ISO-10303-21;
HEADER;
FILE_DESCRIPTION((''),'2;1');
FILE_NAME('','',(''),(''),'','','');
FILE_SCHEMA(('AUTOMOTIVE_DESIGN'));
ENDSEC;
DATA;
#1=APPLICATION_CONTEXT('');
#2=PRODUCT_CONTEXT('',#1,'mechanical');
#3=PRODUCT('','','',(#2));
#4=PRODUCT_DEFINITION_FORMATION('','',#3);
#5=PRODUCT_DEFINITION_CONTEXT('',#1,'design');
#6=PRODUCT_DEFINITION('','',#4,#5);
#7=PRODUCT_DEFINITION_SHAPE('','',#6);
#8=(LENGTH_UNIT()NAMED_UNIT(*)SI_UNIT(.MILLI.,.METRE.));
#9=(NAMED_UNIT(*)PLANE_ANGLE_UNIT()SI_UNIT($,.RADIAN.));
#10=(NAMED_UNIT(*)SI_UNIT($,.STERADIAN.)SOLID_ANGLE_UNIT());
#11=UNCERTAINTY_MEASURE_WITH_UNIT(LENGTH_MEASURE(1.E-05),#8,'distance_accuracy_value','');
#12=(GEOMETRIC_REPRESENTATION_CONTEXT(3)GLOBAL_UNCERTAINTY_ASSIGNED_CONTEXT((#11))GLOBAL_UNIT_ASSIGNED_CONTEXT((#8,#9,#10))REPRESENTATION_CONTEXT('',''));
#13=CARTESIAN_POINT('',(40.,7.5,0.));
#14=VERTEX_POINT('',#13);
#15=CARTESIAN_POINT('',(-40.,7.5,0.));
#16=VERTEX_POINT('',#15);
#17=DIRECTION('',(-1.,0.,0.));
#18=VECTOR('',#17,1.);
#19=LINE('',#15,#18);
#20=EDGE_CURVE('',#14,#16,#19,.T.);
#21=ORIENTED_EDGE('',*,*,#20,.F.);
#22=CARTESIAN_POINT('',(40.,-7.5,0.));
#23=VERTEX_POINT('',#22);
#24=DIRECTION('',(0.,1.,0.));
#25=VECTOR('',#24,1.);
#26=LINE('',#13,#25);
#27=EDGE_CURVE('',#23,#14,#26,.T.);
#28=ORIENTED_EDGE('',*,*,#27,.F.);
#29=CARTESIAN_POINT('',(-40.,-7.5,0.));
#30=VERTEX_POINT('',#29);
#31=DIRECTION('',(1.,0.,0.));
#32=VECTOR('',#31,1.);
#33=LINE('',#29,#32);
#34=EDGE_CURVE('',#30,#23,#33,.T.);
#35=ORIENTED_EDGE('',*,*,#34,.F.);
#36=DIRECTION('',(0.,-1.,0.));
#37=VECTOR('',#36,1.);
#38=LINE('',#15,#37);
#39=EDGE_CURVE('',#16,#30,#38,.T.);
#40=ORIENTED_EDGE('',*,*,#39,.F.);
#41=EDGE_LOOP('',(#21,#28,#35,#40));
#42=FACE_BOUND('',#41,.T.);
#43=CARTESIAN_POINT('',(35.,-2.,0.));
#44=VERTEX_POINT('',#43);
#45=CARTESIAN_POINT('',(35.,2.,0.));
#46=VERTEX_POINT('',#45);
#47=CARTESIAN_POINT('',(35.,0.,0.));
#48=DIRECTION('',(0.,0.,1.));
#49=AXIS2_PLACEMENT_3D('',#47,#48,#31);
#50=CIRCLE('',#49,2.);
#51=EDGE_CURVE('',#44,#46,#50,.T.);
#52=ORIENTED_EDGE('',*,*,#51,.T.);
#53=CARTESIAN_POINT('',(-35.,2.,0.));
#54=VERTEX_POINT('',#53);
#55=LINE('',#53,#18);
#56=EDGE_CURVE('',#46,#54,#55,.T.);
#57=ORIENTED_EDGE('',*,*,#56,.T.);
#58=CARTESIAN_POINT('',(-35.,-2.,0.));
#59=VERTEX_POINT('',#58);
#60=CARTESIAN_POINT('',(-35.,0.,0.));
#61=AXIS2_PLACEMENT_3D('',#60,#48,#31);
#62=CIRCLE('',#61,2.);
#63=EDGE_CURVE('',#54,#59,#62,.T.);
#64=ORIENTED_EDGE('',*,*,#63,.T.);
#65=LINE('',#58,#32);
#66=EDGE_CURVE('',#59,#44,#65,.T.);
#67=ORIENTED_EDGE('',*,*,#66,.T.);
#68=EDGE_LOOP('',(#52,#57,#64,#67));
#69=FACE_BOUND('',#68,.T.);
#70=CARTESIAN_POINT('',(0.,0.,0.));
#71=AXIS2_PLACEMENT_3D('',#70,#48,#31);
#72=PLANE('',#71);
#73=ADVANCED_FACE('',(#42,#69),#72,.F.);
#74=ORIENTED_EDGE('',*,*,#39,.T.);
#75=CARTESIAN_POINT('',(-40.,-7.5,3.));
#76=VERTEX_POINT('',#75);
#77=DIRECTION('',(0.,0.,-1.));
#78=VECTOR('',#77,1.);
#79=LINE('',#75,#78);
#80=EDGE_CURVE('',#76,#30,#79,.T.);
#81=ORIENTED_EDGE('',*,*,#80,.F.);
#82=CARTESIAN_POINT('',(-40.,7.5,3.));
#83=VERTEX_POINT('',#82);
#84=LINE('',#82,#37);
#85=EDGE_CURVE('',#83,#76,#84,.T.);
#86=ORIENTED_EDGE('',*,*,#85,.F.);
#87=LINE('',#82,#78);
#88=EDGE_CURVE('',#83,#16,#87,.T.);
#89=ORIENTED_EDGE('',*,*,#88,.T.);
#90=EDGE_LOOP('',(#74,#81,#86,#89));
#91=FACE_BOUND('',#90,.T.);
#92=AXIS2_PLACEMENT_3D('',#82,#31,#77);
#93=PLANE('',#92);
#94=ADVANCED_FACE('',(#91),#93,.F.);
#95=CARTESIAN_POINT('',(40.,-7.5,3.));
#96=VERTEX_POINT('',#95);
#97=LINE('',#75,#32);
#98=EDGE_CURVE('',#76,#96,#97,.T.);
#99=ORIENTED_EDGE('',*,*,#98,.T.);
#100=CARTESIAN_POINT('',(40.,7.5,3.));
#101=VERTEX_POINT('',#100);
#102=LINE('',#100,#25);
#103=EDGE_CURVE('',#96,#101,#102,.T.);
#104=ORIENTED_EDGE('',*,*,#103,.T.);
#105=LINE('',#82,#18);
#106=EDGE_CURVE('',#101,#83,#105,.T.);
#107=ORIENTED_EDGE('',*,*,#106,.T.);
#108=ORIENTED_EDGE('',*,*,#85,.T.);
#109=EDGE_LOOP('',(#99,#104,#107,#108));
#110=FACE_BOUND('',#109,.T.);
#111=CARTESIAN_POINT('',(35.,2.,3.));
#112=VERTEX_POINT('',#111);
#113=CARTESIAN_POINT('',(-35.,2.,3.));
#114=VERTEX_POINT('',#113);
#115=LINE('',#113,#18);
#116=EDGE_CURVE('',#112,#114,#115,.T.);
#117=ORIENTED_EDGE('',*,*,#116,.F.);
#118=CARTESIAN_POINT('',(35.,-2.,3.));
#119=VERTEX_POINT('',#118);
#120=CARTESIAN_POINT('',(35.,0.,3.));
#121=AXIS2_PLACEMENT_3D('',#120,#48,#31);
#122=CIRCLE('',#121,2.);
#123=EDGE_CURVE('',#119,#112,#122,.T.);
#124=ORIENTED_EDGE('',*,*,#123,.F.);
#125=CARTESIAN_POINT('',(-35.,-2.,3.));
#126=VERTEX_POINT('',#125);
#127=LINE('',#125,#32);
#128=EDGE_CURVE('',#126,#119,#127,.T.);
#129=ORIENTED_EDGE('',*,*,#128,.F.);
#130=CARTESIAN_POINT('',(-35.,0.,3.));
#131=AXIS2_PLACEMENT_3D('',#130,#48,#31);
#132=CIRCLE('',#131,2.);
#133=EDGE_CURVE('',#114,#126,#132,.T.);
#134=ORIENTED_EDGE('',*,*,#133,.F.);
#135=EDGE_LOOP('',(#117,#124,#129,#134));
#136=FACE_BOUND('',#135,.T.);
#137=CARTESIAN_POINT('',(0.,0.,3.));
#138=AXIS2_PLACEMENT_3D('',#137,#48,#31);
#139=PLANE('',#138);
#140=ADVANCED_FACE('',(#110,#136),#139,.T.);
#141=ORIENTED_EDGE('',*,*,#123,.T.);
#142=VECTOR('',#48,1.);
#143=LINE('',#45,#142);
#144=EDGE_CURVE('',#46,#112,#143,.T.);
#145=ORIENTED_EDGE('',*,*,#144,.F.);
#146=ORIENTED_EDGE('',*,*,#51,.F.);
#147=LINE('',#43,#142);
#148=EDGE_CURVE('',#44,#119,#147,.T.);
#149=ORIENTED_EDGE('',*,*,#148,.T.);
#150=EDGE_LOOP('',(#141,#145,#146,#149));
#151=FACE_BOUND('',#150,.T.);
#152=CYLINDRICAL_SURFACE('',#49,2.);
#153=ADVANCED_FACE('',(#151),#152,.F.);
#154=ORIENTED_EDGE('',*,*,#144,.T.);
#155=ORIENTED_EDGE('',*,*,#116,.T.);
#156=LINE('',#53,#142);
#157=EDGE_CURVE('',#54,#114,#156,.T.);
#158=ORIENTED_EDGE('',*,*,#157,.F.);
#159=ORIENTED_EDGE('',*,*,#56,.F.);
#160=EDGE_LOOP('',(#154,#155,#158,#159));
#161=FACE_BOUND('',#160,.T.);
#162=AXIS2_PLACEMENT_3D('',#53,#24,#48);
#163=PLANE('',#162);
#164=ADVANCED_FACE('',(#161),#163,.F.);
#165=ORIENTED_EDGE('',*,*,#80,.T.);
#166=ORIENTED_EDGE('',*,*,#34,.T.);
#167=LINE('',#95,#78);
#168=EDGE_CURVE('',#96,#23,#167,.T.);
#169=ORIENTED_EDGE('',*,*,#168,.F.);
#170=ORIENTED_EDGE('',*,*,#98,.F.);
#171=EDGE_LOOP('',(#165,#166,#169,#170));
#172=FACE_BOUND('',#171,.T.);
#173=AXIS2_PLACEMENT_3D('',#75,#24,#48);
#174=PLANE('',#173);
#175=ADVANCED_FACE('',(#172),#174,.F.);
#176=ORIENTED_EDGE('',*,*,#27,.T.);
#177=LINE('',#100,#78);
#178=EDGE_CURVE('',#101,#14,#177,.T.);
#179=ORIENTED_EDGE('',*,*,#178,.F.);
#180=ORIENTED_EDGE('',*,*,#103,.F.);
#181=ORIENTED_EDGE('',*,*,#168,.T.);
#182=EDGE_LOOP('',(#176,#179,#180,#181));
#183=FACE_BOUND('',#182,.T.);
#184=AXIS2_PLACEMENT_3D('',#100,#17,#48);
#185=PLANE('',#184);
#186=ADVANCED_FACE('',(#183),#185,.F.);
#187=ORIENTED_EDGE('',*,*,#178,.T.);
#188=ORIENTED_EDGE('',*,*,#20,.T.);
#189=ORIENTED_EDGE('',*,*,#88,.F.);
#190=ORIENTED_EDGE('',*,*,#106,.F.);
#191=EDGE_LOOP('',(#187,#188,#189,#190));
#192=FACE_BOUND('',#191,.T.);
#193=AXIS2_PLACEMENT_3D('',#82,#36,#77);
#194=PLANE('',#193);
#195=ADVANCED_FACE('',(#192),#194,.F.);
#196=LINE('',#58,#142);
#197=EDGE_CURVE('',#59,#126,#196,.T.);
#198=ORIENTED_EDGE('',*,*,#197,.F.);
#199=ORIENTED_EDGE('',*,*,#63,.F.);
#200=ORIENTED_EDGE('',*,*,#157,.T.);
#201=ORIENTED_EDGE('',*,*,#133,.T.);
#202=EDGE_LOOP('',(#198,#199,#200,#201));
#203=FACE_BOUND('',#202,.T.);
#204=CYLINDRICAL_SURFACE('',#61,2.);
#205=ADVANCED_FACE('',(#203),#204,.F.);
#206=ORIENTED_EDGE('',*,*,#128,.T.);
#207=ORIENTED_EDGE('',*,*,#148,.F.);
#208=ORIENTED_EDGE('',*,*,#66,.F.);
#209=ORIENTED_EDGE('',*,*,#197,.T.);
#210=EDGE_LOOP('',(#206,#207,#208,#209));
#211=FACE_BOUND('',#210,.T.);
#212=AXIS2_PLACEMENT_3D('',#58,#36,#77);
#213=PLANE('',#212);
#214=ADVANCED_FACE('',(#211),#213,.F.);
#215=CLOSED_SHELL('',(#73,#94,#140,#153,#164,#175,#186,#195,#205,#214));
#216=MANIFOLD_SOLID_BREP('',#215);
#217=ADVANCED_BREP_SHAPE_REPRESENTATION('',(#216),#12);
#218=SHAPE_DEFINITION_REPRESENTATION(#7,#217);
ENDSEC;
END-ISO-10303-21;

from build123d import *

# Parameters (mm, degrees)
SKETCH1_W           = 80
SKETCH1_H           = 15
BOSS_EXTRUDE1_DEPTH = 3
CUT_EXTRUDE1_DEPTH  = 3


with BuildPart() as part:
    # Sketch1 → Boss-Extrude1 (new body)
    with BuildSketch(Plane.XY):
        Rectangle(SKETCH1_W, SKETCH1_H)
    extrude(amount=BOSS_EXTRUDE1_DEPTH)

    # Sketch2 → Cut-Extrude1 (cut)
    with BuildSketch(Plane.XY.offset(3)):
        with BuildLine():
            Line((-35, 2), (35, 2))
            ThreePointArc((35, 2), (37, 0), (35, -2))
            Line((35, -2), (-35, -2))
            ThreePointArc((-35, -2), (-37, 0), (-35, 2))
        make_face()
    extrude(amount=-CUT_EXTRUDE1_DEPTH, mode=Mode.SUBTRACT)


solid = part.part
